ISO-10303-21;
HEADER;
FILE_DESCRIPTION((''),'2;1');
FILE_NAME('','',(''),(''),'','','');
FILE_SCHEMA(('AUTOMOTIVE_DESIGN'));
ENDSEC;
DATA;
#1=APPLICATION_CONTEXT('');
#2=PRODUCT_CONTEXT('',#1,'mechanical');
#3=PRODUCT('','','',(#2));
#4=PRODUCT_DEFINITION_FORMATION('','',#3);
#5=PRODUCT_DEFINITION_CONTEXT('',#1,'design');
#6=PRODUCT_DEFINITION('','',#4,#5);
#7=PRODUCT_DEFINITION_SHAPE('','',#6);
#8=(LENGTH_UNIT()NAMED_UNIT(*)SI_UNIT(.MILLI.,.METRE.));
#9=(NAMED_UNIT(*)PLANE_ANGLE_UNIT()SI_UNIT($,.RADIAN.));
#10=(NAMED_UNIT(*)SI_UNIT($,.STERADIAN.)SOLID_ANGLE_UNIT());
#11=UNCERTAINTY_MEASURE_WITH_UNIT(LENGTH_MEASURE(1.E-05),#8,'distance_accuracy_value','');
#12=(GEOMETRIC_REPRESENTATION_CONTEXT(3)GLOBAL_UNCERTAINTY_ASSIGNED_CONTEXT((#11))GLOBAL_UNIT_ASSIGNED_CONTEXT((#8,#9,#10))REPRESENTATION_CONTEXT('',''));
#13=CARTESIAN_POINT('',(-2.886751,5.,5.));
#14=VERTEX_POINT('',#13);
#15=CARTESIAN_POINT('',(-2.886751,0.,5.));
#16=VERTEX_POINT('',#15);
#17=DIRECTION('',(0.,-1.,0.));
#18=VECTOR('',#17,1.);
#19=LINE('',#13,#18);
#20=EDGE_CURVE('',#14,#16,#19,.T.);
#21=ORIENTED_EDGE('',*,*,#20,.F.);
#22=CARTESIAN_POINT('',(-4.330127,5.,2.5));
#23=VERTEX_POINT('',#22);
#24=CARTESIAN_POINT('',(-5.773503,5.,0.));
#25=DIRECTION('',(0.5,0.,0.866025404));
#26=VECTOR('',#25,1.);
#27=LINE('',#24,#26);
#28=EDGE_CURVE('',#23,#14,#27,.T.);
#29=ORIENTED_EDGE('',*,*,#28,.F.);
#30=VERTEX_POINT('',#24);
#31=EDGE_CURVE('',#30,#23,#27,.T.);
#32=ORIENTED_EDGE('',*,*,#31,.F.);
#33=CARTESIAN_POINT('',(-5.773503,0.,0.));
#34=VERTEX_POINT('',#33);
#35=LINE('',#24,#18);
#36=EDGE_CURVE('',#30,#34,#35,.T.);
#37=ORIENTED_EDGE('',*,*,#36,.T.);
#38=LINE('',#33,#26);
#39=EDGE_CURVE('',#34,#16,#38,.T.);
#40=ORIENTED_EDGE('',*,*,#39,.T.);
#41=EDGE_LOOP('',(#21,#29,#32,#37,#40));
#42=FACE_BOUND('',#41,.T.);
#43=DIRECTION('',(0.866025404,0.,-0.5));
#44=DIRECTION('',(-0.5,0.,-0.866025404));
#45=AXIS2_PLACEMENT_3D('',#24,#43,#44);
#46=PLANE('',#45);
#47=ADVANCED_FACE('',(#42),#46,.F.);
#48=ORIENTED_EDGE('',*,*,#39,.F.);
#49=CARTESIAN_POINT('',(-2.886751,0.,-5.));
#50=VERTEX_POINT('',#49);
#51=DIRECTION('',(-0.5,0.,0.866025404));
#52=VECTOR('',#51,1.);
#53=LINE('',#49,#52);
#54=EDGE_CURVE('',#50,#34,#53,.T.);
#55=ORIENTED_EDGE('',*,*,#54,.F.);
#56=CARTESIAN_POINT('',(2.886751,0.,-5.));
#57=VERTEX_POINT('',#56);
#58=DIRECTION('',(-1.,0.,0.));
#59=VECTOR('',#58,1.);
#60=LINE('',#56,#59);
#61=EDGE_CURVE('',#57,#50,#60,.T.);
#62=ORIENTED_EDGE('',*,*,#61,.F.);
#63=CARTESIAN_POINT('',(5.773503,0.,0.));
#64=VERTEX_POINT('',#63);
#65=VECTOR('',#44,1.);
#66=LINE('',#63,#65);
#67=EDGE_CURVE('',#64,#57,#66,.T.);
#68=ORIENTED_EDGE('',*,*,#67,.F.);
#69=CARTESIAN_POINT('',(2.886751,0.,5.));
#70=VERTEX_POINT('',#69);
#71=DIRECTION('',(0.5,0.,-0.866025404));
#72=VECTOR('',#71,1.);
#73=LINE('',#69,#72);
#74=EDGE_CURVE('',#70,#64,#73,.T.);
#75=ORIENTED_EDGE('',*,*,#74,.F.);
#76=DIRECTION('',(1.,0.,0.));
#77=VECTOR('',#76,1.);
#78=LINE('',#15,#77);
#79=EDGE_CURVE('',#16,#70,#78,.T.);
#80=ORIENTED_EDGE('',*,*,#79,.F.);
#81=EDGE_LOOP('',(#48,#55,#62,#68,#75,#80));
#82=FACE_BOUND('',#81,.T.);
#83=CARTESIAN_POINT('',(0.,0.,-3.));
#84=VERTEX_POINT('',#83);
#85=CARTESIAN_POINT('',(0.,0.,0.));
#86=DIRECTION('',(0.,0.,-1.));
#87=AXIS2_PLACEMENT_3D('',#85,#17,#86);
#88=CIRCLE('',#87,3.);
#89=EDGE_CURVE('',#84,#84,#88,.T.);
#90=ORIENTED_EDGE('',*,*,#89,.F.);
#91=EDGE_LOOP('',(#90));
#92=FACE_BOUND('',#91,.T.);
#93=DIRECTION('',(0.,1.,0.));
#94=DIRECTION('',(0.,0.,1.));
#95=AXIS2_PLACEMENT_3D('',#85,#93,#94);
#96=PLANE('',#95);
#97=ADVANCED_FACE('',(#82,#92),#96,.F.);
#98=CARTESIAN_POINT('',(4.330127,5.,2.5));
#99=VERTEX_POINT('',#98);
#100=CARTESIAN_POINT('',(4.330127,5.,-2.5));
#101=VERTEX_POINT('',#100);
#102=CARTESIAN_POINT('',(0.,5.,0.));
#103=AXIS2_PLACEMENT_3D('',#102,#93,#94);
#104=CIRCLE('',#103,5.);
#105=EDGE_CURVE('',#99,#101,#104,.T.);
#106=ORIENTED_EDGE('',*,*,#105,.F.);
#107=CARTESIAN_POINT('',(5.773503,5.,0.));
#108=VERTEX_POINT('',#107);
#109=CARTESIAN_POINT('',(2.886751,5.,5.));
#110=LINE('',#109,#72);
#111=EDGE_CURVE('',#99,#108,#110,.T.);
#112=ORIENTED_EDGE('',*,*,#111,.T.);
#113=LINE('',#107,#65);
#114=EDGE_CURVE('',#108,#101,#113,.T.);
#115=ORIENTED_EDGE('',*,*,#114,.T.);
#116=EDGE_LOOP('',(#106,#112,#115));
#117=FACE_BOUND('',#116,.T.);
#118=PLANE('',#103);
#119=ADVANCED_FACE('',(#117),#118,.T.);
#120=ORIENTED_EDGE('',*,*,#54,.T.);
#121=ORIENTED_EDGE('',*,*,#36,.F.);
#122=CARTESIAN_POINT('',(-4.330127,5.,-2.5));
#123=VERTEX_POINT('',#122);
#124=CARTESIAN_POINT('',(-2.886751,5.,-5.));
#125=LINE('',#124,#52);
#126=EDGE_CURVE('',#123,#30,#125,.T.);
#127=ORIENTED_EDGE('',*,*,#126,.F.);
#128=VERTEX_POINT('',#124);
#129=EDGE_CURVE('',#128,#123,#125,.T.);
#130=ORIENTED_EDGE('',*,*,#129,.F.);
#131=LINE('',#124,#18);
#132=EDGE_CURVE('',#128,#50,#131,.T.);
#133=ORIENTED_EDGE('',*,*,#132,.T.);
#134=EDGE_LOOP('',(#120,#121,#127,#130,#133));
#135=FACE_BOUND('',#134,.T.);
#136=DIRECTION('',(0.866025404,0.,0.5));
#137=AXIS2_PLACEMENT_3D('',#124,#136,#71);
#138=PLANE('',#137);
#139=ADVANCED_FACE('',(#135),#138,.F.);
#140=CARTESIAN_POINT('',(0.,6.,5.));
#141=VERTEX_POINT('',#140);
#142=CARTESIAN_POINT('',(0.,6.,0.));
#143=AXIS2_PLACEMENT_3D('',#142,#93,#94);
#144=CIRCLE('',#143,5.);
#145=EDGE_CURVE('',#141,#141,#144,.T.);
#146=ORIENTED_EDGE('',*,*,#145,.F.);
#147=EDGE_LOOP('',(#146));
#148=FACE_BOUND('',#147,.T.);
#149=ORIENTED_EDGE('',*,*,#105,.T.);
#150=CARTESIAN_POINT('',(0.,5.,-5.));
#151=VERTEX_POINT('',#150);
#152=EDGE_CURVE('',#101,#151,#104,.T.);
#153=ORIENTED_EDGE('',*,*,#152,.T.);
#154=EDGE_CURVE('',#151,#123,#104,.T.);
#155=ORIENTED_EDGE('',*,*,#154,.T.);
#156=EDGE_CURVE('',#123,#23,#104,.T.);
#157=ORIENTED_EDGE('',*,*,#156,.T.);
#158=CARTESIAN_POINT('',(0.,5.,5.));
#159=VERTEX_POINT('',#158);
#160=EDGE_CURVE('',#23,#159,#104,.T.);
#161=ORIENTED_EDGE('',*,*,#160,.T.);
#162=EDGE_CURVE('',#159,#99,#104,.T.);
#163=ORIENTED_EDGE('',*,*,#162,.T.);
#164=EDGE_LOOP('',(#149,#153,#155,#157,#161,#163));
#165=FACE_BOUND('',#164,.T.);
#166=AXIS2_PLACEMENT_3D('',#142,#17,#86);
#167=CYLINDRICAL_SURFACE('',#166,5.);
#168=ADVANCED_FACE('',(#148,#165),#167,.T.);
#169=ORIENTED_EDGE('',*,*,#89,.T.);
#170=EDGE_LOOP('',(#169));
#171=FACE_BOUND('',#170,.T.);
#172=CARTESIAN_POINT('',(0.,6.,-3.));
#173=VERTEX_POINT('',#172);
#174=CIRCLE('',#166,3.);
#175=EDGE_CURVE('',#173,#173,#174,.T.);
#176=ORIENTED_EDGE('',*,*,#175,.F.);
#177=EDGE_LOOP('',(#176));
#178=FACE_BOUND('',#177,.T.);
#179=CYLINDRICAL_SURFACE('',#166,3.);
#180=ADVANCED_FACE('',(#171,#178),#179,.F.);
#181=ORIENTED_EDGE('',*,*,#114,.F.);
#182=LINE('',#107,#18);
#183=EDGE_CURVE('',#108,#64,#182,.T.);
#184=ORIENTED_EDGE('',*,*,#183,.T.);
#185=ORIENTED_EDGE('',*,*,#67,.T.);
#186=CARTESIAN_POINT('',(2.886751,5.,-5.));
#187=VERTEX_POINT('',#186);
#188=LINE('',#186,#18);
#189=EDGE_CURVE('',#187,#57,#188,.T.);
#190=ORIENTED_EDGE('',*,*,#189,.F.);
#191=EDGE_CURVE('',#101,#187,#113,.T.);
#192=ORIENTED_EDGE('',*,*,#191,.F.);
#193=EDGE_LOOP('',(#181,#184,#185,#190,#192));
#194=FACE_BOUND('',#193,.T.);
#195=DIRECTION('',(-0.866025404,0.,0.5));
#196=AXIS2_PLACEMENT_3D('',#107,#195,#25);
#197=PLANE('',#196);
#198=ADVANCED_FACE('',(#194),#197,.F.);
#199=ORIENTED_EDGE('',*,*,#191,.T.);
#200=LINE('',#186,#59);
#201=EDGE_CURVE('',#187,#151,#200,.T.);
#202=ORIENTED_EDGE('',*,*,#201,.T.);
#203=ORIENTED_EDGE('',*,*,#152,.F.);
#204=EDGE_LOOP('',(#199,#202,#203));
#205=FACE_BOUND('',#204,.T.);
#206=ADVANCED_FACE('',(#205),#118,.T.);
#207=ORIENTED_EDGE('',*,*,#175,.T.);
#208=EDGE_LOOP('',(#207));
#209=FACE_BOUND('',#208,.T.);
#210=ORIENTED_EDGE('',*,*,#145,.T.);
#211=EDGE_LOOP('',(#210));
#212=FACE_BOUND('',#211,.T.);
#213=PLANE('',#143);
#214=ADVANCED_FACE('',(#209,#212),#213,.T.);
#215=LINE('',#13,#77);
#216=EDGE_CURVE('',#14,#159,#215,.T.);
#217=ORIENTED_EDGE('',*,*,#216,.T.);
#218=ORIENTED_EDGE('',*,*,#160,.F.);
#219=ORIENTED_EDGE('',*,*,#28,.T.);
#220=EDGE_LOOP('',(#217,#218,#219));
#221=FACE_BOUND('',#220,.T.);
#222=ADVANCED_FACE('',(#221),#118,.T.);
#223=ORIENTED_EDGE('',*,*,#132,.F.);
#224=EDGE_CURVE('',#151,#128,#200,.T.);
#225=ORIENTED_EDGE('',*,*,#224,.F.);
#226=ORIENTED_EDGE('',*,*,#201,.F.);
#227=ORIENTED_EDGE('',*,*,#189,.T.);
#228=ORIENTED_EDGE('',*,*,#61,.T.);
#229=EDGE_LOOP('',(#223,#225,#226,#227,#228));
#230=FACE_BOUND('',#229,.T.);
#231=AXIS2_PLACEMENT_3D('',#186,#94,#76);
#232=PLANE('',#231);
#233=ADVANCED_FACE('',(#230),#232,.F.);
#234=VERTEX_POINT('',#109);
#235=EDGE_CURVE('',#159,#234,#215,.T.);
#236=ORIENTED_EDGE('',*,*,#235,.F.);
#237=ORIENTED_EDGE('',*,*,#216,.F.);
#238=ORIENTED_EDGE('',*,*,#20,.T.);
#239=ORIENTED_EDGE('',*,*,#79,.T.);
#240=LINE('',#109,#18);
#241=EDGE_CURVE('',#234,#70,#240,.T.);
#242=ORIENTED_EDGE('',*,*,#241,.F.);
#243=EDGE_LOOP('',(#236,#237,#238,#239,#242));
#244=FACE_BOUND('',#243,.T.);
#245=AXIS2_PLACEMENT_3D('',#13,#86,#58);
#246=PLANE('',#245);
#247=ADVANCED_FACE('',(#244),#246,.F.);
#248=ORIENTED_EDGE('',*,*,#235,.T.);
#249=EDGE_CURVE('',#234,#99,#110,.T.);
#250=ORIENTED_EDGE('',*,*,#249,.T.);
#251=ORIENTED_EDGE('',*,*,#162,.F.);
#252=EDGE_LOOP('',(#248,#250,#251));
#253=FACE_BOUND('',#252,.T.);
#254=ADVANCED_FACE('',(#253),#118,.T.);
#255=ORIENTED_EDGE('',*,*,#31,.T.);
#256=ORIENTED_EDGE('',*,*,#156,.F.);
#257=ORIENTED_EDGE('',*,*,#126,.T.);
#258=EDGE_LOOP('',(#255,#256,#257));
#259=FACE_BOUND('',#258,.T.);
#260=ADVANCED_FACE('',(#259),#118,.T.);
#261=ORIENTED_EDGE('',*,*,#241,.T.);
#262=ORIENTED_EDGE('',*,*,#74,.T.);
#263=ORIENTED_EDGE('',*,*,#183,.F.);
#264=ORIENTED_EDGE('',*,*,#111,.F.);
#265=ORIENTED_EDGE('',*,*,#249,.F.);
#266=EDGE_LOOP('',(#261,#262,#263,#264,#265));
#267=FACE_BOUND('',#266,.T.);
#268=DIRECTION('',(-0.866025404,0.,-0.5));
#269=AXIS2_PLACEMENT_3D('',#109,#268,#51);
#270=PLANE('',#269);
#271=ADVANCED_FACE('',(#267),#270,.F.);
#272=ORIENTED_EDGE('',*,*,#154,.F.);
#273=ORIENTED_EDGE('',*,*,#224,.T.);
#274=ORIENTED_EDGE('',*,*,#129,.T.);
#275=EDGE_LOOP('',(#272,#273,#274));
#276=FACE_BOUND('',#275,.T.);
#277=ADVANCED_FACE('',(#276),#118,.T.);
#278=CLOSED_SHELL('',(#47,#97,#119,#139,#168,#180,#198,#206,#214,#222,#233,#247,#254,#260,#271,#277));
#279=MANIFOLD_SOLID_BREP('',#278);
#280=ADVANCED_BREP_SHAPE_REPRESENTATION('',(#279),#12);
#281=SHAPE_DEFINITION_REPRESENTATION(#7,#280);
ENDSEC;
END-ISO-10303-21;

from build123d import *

# Parameters (mm, degrees)
EXTRUDE_1_DEPTH     = 5
SKETCH_2_R          = 5
EXTRUDE_2_DEPTH     = 1
SKETCH_3_R          = 3
CUT_EXTRUDE_1_DEPTH = 10.712534856


with BuildPart() as part:
    # 草图1 → 凸台-拉伸1 (new body)
    with BuildSketch(Plane(origin=(0, 0, 0), x_dir=(1, 0, 0), z_dir=(0, 1, 0))):
        Polygon((5.773502692, 0), (2.886751346, 5), (-2.886751346, 5), (-5.773502692, 0), (-2.886751346, -5), (2.886751346, -5), align=None)
    extrude(amount=EXTRUDE_1_DEPTH)

    # 草图2 → 凸台-拉伸2 (add)
    with BuildSketch(Plane(origin=(0, 5, 0), x_dir=(1, 0, 0), z_dir=(0, 1, 0))):
        Circle(SKETCH_2_R)
    extrude(amount=EXTRUDE_2_DEPTH)

    # 草图3 → 切除-拉伸1 (cut, through all)
    with BuildSketch(Plane.XZ):
        Circle(SKETCH_3_R)
    extrude(amount=-CUT_EXTRUDE_1_DEPTH, mode=Mode.SUBTRACT)


solid = part.part
